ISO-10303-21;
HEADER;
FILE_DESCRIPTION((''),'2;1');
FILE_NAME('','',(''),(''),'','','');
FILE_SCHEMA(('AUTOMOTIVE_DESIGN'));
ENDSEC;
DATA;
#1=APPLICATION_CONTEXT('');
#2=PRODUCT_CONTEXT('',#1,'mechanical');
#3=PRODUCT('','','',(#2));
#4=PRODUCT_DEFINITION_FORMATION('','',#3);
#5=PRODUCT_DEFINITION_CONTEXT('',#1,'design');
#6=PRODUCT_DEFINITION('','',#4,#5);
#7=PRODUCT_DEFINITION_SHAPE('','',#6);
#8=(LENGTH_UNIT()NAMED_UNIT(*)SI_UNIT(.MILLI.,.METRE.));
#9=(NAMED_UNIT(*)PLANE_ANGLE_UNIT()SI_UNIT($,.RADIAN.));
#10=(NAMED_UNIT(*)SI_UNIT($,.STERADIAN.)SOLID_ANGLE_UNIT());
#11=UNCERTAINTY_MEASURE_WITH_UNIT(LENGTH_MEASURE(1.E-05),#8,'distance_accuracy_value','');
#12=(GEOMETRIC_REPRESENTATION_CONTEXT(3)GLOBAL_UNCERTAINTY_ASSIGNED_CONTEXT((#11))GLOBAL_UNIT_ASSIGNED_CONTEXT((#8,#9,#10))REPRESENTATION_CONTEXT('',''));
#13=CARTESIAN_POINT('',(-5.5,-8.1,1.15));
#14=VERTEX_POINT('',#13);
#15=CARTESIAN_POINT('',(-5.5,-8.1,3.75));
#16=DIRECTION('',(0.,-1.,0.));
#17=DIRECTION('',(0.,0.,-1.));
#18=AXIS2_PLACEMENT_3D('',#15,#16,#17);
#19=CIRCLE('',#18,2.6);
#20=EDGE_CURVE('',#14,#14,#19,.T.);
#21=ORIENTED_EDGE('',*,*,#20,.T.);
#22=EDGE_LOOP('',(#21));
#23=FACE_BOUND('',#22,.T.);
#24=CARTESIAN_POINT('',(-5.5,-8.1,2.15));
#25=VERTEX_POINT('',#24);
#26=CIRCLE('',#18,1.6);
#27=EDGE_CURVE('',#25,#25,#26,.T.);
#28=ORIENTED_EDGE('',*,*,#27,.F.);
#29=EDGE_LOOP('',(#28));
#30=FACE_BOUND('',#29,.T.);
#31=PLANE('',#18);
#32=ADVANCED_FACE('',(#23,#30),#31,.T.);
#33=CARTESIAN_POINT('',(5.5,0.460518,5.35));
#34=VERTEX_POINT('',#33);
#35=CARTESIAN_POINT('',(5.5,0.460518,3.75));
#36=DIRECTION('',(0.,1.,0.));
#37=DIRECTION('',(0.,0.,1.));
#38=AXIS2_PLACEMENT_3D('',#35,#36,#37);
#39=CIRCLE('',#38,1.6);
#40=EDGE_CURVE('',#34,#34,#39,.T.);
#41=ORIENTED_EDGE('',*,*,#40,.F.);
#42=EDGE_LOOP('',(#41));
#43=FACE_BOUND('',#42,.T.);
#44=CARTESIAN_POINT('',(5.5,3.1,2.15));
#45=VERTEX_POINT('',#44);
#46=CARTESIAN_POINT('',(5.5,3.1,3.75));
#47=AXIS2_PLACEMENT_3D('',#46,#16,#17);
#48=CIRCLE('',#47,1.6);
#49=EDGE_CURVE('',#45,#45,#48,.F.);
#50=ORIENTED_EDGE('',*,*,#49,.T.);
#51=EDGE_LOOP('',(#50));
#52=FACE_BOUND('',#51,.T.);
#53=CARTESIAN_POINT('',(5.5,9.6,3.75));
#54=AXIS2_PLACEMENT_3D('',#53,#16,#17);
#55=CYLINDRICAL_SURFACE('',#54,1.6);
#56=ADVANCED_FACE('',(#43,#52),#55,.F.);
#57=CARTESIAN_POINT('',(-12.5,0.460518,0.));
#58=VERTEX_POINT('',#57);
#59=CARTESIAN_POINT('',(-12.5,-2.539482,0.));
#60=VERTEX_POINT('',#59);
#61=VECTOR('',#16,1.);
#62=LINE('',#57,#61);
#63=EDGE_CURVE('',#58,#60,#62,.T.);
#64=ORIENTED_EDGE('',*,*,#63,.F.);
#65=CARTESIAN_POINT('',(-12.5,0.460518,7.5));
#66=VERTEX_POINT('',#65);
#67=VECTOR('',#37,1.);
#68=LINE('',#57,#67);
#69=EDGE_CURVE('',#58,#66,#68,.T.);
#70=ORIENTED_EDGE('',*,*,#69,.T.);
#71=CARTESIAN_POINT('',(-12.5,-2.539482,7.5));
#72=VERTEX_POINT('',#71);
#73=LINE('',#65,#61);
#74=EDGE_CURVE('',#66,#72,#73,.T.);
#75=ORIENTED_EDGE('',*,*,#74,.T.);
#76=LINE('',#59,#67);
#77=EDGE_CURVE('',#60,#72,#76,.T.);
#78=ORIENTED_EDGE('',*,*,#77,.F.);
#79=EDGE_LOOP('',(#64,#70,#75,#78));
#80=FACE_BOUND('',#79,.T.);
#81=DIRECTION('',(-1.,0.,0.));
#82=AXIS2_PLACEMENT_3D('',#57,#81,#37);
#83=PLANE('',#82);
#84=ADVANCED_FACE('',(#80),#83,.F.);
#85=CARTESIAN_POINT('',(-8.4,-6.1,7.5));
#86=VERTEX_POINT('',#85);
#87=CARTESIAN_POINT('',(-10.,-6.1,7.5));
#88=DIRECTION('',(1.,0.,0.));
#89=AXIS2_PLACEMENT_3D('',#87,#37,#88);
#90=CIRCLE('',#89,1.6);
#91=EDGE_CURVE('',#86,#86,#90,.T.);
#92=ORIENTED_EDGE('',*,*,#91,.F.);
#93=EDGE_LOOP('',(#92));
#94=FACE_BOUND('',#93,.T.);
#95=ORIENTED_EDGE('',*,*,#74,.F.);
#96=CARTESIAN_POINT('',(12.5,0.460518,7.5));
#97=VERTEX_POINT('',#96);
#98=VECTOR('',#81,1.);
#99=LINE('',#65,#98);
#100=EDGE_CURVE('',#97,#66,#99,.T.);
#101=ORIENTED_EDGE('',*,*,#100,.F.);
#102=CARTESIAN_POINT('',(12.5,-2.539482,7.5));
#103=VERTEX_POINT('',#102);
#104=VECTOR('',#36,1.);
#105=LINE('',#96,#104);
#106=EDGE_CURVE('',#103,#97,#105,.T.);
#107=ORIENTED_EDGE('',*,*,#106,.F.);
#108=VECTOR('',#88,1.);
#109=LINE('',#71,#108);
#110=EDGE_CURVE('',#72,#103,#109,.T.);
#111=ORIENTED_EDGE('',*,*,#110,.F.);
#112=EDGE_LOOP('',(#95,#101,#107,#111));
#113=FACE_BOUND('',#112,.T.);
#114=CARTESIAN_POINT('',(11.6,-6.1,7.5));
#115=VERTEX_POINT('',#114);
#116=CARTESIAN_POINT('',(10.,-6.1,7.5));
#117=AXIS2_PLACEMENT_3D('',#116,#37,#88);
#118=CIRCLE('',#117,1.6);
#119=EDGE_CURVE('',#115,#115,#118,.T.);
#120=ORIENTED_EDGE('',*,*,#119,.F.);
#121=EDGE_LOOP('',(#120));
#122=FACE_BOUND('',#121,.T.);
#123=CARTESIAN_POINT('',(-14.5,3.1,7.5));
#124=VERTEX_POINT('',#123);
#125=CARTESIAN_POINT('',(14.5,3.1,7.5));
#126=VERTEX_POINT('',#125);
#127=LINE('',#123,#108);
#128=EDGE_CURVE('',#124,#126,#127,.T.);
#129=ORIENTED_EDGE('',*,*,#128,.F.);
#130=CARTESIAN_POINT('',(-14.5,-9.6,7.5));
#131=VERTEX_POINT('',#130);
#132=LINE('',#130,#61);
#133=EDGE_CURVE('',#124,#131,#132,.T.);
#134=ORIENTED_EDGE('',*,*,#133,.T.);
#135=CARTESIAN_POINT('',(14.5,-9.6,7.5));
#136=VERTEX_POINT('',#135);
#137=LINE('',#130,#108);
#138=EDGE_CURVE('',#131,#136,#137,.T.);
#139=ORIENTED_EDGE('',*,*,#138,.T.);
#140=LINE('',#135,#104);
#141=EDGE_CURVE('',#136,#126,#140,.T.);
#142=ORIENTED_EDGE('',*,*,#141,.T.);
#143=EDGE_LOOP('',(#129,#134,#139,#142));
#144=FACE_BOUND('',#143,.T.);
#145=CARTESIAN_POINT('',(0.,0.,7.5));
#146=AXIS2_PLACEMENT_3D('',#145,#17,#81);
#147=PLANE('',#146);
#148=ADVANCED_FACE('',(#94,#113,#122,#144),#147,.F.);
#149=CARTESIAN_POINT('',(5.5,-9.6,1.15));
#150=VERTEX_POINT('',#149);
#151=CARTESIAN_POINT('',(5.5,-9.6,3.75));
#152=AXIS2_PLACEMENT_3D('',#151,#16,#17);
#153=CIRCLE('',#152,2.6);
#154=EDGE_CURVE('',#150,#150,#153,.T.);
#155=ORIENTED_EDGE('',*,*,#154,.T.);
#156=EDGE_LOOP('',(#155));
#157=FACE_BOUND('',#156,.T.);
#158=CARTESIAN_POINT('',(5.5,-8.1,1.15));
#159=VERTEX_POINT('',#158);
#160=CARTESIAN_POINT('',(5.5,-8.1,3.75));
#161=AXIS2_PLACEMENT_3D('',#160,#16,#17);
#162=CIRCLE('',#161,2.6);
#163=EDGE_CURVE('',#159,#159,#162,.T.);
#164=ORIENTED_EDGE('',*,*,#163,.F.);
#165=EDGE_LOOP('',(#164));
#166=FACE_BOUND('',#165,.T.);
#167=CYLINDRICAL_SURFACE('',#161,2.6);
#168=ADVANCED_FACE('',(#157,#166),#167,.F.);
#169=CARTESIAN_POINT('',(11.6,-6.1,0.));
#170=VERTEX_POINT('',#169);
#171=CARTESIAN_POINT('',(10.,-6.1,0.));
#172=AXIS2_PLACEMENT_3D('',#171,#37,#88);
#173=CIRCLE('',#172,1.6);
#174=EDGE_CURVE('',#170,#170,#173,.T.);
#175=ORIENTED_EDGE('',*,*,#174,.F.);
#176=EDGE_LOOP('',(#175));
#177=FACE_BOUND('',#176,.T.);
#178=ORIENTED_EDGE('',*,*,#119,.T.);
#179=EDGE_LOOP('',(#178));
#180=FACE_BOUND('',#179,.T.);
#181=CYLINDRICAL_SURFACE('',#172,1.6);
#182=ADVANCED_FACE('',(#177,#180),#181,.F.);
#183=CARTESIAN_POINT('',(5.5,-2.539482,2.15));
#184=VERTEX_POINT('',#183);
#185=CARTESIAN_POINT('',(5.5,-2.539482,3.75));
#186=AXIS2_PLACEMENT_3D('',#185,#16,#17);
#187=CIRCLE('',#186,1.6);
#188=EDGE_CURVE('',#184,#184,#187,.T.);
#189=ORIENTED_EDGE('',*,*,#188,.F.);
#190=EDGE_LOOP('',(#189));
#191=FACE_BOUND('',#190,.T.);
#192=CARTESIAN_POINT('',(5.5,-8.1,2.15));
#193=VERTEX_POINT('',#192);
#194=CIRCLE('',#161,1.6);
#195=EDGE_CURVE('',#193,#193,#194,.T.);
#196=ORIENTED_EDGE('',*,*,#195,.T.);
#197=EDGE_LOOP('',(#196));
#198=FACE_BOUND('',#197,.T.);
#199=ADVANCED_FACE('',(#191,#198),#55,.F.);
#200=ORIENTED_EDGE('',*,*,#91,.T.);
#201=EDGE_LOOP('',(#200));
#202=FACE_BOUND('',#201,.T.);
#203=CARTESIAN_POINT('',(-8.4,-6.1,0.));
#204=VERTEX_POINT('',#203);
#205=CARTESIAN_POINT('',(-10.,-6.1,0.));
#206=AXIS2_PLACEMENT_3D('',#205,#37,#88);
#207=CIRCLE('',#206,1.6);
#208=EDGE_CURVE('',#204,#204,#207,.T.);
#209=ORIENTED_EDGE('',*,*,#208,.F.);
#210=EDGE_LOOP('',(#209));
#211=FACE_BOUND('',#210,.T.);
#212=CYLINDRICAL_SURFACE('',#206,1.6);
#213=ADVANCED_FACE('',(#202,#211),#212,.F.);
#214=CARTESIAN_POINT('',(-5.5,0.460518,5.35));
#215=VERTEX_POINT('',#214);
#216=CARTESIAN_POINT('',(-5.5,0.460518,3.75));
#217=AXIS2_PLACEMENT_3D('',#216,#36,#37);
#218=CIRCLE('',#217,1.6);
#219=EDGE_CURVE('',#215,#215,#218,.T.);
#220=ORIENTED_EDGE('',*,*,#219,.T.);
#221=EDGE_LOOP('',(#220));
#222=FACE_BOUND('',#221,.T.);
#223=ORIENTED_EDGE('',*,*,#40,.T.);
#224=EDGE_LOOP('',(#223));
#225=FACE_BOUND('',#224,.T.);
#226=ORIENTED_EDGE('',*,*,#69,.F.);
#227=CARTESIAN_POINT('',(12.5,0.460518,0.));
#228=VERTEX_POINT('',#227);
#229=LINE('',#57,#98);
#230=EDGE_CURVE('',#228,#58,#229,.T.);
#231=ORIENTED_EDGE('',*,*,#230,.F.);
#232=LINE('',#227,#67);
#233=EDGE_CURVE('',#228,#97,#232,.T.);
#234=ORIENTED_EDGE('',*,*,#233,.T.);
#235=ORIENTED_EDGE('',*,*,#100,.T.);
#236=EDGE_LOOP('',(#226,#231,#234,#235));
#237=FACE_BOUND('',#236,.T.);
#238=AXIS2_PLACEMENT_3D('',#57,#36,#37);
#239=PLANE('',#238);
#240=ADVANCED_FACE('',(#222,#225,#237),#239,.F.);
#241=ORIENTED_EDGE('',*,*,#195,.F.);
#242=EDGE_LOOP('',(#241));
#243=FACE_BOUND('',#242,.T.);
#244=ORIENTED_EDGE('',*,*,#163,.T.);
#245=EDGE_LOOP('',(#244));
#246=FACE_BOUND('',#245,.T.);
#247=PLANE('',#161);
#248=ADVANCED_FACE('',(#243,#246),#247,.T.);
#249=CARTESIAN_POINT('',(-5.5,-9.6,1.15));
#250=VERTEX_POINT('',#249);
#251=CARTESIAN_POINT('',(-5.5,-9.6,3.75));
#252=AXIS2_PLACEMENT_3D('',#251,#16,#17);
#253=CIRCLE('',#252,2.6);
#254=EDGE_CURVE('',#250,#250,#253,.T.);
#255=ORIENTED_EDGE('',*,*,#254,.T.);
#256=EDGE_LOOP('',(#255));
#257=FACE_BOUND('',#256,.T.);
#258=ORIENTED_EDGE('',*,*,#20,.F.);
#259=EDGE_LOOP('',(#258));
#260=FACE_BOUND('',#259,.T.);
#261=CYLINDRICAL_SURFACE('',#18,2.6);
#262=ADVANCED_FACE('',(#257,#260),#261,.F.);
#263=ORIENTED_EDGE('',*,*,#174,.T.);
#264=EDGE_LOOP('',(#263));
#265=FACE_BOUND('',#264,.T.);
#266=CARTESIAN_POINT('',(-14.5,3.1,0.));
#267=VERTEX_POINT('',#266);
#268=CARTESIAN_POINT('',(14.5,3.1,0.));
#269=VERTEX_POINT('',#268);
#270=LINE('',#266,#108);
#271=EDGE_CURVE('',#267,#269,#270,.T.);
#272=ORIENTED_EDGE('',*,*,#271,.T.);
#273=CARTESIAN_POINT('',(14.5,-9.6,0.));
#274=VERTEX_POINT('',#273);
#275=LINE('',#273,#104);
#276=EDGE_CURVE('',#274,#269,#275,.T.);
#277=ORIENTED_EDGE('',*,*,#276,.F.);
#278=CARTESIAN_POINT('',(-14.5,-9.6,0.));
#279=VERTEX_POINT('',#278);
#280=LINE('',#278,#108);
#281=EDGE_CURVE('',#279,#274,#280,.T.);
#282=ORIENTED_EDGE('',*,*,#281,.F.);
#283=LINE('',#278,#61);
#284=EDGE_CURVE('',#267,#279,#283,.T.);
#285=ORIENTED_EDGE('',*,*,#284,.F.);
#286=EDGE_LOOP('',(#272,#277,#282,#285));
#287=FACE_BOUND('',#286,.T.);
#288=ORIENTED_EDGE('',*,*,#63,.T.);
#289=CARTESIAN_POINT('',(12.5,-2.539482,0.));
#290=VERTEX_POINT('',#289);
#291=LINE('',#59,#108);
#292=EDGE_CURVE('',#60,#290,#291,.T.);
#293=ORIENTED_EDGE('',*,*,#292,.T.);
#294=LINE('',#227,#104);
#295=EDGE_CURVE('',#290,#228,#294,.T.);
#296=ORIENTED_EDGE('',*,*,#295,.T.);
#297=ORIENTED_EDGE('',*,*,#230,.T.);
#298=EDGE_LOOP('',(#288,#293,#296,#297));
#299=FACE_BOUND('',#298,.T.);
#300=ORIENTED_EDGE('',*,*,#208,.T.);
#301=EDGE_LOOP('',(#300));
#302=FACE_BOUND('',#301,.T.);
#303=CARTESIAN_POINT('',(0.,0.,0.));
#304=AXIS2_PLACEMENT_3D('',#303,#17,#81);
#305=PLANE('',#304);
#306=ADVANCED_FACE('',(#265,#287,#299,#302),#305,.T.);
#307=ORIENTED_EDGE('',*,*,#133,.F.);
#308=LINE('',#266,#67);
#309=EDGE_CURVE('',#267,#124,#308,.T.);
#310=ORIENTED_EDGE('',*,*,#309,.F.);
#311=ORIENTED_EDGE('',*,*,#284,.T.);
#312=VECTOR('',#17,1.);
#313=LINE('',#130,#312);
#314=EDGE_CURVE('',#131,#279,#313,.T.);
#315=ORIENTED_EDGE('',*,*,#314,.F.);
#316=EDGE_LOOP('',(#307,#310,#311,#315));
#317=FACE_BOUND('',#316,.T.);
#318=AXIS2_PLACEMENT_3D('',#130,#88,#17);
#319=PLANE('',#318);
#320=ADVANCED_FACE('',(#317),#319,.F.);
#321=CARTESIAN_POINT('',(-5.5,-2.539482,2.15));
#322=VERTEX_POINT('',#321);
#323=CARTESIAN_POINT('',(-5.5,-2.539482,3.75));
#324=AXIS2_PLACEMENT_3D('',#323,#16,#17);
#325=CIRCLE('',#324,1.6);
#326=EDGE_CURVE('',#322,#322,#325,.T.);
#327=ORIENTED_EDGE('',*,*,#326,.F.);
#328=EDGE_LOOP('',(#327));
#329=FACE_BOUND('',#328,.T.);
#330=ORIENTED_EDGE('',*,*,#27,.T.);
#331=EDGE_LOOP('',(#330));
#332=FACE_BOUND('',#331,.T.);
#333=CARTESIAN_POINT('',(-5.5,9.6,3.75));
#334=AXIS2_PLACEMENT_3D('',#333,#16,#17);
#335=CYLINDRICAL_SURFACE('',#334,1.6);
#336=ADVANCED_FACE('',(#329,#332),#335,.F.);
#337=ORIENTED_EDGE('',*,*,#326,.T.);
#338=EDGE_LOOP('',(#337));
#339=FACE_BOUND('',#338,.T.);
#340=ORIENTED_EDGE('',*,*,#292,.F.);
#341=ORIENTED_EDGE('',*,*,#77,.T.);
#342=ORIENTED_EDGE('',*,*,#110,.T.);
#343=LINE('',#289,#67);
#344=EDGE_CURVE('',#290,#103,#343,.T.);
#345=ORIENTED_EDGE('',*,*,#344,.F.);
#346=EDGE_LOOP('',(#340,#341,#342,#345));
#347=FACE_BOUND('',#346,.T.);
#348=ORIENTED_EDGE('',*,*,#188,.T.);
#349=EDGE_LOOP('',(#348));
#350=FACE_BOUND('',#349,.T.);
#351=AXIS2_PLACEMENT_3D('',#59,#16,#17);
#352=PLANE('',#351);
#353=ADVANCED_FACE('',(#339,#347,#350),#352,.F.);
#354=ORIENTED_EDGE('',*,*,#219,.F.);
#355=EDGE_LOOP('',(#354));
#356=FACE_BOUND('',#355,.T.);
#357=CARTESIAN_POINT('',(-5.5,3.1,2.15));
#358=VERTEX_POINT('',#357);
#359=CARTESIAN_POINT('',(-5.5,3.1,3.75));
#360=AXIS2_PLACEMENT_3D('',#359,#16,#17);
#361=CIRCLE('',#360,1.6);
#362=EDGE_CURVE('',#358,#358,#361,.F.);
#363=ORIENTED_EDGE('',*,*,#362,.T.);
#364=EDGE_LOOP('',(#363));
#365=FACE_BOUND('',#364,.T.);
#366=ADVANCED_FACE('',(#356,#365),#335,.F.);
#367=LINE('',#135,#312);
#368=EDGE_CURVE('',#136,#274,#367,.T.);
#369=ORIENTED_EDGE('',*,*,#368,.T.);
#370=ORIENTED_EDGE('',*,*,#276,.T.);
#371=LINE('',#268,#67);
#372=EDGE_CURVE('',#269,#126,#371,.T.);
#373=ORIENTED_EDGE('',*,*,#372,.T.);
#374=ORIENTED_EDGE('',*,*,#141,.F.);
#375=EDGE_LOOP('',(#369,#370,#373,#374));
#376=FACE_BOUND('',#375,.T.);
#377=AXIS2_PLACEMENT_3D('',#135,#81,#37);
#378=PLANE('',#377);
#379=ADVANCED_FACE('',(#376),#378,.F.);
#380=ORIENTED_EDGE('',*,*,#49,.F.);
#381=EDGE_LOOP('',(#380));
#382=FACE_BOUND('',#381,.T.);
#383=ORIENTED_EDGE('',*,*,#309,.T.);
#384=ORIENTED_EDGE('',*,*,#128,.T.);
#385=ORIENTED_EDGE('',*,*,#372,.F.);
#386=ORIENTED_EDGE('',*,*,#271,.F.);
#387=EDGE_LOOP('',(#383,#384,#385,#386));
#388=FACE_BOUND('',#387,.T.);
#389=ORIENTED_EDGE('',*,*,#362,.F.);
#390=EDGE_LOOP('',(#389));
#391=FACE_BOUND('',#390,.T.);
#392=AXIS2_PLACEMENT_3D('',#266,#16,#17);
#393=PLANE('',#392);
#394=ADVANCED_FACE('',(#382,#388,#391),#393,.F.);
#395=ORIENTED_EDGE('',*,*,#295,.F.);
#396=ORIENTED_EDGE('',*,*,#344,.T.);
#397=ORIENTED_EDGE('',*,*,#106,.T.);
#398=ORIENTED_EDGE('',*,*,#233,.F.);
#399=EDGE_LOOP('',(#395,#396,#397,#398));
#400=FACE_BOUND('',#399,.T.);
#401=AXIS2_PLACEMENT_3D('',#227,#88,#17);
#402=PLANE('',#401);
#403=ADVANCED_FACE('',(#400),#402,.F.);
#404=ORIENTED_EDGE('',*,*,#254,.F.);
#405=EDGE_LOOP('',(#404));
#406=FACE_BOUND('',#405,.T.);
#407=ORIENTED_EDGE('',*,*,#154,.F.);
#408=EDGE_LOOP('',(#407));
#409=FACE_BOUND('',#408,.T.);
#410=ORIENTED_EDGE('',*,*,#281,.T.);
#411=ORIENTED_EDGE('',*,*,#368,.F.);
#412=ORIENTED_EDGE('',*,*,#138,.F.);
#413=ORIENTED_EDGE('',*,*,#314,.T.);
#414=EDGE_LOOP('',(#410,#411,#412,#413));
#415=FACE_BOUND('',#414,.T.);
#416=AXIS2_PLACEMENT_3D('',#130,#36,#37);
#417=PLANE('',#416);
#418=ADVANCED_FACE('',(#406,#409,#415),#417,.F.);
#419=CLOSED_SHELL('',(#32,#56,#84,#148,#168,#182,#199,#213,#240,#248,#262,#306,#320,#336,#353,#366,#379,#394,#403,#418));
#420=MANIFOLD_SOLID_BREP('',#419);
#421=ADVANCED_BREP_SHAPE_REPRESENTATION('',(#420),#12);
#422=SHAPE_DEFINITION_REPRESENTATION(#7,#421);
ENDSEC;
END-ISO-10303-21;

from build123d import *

# Parameters (mm, degrees)
SKETCH_1_W          = 29
SKETCH_1_H          = 19.2
EXTRUDE_1_DEPTH     = 7.5
SKETCH_2_R          = 1.6
CUT_EXTRUDE_1_DEPTH = 19.938320939
SKETCH_3_W          = 25
SKETCH_3_H          = 3
CUT_EXTRUDE_2_DEPTH = 7.5
SKETCH_4_R          = 1.6
CUT_EXTRUDE_3_DEPTH = 26.201984049
SKETCH_6_W          = 29
SKETCH_6_H          = 6.5
CUT_EXTRUDE_5_DEPTH = 19.938320939
SKETCH_7_R          = 2.6
SKETCH_7_R_2        = 1.6
CUT_EXTRUDE_6_DEPTH = 1.5


with BuildPart() as part:
    # 草图1 → 凸台-拉伸1 (new body)
    with BuildSketch(Plane.XY):
        Rectangle(SKETCH_1_W, SKETCH_1_H)
    extrude(amount=EXTRUDE_1_DEPTH)

    # 草图2 → 切除-拉伸1 (cut, through all)
    with BuildSketch(Plane.XY.offset(7.5)):
        with Locations((10, -6.1)):
            Circle(SKETCH_2_R)
        with Locations((-10, -6.1)):
            Circle(SKETCH_2_R)
    extrude(amount=-CUT_EXTRUDE_1_DEPTH, mode=Mode.SUBTRACT)

    # 草图3 → 切除-拉伸2 (cut)
    with BuildSketch(Plane.XY.offset(7.5)):
        with Locations((0, -1.0394817)):
            Rectangle(SKETCH_3_W, SKETCH_3_H)
    extrude(amount=-CUT_EXTRUDE_2_DEPTH, mode=Mode.SUBTRACT)

    # 草图4 → 切除-拉伸3 (cut, through all)
    with BuildSketch(Plane.XZ.offset(9.6)):
        with Locations(Location((-5.5, 3.75, 0), (0, 0, 270))):
            Circle(SKETCH_4_R)
        with Locations(Location((5.5, 3.75, 0), (0, 0, 270))):
            Circle(SKETCH_4_R)
    extrude(amount=-CUT_EXTRUDE_3_DEPTH, mode=Mode.SUBTRACT)

    # 草图6 → 切除-拉伸5 (cut, through all)
    with BuildSketch(Plane.XY.offset(7.5)):
        with Locations((0, 6.35)):
            Rectangle(SKETCH_6_W, SKETCH_6_H)
    extrude(amount=-CUT_EXTRUDE_5_DEPTH, mode=Mode.SUBTRACT)

    # 草图7 → 切除-拉伸6 (cut)
    # profile 1 of 2: a face of its own
    with BuildSketch(Plane.XZ.offset(9.6)):
        with Locations(Location((-5.5, 3.75, 0), (0, 0, 270))):
            Circle(SKETCH_7_R)
        with Locations(Location((-5.5, 3.75, 0), (0, 0, 270))):
            Circle(SKETCH_7_R_2, mode=Mode.SUBTRACT)
    # profile 2 of 2: a face of its own
    with BuildSketch(Plane.XZ.offset(9.6)):
        with Locations(Location((5.5, 3.75, 0), (0, 0, 270))):
            Circle(SKETCH_7_R)
        with Locations(Location((5.5, 3.75, 0), (0, 0, 270))):
            Circle(SKETCH_7_R_2, mode=Mode.SUBTRACT)
    extrude(amount=-CUT_EXTRUDE_6_DEPTH, mode=Mode.SUBTRACT)


solid = part.part
